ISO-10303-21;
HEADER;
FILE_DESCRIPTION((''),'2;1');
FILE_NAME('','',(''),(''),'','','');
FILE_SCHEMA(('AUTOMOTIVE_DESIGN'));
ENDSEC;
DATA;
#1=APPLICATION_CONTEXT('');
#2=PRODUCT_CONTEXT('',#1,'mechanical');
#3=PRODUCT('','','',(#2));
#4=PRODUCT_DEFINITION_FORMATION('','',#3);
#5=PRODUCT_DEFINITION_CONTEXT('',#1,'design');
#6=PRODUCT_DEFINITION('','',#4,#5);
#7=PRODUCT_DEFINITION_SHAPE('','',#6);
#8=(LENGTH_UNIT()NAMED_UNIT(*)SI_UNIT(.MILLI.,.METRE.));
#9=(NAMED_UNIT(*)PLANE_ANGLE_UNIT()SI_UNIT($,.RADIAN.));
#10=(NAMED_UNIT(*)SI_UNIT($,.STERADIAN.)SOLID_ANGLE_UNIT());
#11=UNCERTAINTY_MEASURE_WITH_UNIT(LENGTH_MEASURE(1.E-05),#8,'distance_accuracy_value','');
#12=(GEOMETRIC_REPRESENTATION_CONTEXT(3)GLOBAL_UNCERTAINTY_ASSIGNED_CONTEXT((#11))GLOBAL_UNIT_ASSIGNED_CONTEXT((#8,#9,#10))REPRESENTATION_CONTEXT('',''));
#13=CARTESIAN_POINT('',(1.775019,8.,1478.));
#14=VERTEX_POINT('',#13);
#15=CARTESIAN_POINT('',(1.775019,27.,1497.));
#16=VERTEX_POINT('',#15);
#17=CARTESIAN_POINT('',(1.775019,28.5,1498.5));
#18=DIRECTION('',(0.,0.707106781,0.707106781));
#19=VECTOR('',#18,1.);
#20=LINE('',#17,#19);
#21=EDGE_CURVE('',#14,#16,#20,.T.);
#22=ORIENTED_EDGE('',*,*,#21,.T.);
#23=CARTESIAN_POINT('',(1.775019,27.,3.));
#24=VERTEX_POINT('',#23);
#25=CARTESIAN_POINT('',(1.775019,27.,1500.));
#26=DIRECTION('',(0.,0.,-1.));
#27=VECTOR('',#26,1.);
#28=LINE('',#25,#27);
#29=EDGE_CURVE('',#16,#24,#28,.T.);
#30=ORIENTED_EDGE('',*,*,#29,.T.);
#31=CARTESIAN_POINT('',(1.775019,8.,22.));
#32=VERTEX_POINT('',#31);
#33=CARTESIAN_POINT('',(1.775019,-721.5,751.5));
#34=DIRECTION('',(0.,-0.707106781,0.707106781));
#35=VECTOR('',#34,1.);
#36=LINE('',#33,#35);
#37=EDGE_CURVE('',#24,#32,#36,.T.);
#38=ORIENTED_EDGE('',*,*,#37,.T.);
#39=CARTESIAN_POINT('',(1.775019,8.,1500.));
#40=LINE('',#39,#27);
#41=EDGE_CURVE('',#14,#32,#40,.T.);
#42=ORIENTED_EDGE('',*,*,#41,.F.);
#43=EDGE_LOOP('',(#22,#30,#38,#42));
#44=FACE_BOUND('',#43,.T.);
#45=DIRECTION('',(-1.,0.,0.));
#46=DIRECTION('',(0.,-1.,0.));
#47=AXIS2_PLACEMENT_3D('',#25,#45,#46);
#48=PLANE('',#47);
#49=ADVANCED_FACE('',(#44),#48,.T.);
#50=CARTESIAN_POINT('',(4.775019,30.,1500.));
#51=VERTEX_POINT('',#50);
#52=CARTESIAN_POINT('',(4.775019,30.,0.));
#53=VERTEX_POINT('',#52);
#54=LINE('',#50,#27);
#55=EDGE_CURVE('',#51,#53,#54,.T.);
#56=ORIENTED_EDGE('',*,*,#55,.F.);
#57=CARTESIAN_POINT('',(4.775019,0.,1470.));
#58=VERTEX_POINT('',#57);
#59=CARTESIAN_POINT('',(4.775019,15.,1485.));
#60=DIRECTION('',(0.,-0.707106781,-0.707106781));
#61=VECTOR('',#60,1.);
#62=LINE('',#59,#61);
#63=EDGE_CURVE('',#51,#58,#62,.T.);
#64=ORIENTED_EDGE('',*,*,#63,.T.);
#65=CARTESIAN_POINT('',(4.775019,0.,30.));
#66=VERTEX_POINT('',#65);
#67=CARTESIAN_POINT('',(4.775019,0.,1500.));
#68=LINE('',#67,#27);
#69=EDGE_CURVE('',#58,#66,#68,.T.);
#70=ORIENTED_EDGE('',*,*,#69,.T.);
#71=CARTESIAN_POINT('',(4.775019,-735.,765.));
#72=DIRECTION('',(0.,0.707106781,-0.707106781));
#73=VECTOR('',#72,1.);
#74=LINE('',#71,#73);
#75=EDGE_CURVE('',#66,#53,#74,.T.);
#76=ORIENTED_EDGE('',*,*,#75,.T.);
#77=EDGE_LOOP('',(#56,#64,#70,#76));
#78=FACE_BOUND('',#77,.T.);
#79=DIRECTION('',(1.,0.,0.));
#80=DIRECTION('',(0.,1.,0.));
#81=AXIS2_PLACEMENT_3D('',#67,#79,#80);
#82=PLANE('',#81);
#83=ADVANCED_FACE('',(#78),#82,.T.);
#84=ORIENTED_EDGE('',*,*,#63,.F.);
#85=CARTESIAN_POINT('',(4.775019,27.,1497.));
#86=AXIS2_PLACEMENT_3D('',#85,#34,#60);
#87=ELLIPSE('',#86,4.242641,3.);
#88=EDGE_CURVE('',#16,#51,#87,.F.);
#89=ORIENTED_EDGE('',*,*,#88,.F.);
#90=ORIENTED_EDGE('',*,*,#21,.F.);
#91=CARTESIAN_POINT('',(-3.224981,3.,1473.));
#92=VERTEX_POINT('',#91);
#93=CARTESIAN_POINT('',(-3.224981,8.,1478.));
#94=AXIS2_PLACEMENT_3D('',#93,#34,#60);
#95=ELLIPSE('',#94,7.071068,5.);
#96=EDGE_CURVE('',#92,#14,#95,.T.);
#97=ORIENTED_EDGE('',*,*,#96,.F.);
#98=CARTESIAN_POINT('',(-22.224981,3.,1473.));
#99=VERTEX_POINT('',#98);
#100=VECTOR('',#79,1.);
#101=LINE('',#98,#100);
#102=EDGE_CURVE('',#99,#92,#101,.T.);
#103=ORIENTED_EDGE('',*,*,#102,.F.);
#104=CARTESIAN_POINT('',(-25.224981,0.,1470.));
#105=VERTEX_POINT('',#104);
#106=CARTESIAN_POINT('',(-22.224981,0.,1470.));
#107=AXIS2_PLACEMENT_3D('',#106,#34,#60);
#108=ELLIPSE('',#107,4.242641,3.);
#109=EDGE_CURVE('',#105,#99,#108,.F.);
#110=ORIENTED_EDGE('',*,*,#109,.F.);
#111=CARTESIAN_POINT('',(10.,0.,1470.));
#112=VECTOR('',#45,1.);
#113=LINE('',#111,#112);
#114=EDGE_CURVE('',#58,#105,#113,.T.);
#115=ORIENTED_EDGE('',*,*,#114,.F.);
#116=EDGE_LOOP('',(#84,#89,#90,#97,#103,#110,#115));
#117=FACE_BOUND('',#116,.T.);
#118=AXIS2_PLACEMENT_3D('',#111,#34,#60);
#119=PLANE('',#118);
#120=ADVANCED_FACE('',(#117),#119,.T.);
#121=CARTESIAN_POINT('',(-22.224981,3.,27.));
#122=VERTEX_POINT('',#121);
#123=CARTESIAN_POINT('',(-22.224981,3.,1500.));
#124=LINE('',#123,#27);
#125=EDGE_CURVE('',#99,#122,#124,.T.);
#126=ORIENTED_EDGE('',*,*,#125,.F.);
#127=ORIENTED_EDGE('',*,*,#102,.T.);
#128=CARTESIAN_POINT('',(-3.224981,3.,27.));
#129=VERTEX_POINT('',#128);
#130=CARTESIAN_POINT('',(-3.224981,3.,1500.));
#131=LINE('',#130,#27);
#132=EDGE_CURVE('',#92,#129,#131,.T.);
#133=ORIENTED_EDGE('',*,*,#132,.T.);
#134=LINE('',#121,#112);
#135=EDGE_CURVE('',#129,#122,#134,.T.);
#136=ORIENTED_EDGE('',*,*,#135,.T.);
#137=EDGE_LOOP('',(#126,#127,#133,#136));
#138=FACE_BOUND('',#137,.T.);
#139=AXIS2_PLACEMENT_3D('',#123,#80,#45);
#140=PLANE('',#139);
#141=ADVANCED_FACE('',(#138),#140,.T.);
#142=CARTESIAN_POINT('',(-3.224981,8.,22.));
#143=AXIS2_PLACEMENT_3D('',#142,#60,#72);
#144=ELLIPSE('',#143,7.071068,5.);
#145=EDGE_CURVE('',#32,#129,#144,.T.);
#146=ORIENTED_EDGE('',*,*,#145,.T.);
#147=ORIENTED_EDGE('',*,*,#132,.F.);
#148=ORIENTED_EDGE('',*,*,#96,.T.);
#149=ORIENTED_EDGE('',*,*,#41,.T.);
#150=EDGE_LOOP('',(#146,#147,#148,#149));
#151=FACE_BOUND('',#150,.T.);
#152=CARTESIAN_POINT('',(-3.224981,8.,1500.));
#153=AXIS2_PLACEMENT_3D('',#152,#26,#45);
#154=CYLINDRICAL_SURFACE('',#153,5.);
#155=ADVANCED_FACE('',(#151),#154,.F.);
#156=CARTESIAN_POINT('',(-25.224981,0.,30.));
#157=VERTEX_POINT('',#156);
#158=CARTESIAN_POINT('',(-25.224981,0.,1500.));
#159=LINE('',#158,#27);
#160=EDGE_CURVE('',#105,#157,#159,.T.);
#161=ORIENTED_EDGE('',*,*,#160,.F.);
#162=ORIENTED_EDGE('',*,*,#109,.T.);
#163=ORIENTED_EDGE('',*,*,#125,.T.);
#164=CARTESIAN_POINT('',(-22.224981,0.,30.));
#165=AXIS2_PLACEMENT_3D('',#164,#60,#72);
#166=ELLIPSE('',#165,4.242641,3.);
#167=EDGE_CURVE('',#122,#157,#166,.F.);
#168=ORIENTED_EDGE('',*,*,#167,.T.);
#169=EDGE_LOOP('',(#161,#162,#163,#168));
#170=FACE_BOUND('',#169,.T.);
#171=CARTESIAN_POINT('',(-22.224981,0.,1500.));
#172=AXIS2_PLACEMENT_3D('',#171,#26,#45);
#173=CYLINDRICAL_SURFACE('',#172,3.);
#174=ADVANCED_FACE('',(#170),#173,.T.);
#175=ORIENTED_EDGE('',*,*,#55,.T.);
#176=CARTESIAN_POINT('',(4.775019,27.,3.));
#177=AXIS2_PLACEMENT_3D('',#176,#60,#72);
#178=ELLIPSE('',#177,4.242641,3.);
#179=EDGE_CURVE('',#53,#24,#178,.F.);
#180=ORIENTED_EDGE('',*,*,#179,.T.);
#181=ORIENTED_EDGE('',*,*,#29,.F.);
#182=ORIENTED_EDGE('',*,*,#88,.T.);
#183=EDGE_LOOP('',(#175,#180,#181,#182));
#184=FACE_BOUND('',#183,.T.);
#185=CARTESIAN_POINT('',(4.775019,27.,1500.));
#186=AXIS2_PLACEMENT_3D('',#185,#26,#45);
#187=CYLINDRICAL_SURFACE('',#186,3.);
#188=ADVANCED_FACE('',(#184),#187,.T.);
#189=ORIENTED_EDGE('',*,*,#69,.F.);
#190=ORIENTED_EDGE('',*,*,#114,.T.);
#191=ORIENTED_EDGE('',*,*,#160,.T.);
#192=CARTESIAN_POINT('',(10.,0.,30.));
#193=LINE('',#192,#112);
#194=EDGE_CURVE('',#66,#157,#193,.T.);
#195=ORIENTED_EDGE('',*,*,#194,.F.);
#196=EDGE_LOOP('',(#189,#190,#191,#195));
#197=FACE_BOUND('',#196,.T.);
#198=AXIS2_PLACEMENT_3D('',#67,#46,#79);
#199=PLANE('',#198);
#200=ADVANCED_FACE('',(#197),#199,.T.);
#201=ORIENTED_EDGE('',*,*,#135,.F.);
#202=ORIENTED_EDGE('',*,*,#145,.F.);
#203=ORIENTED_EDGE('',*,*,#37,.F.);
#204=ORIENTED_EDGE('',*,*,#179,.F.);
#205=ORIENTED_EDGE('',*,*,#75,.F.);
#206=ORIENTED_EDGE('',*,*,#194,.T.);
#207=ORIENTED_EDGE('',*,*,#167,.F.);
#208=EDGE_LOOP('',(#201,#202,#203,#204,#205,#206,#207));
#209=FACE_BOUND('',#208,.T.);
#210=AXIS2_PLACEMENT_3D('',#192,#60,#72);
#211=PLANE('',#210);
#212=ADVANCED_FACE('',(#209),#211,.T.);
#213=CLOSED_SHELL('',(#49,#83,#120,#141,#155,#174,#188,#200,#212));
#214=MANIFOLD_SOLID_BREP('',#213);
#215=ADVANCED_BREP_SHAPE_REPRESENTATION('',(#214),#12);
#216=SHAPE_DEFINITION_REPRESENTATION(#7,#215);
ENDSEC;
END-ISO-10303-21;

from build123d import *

# Parameters (mm, degrees)
SALIENTE_EXTRUIR1_DEPTH    = 1500
CORTAR_EXTRUIR1_DEPTH      = 10
CORTAR_EXTRUIR1_DEPTH_BACK = 40


with BuildPart() as part:
    # Croquis3 → Saliente-Extruir1 (new body)
    with BuildSketch(Plane(origin=(0, 0, 0), x_dir=(-1, 0, 0), z_dir=(0, 0, -1))):
        with BuildLine():
            Line((-4.77501925, 0), (-4.77501925, 30))
            ThreePointArc((-4.77501925, 30), (-2.653698906, 29.121320344), (-1.77501925, 27))
            Line((-1.77501925, 27), (-1.77501925, 8))
            ThreePointArc((-1.77501925, 8), (-0.310553156, 4.464466094), (3.22498075, 3))
            Line((3.22498075, 3), (22.22498075, 3))
            ThreePointArc((22.22498075, 3), (24.346301094, 2.121320344), (25.22498075, 0))
            Line((25.22498075, 0), (-4.77501925, 0))
        make_face()
    extrude(amount=-SALIENTE_EXTRUIR1_DEPTH)

    # Croquis4 → Cortar-Extruir1 (cut, two sides: drawn at the far end of the back side and taken through both)
    with BuildSketch(Plane(origin=(0, 0, 0), x_dir=(0, 0, -1), z_dir=(1, 0, 0)).offset(-CORTAR_EXTRUIR1_DEPTH_BACK)):
        Polygon((-1500, 0), (-1470, 0), (-1500, 30), align=None)
        Polygon((0, 0), (-30, 0), (0, 30), align=None)
    extrude(amount=CORTAR_EXTRUIR1_DEPTH + CORTAR_EXTRUIR1_DEPTH_BACK, mode=Mode.SUBTRACT)


solid = part.part
